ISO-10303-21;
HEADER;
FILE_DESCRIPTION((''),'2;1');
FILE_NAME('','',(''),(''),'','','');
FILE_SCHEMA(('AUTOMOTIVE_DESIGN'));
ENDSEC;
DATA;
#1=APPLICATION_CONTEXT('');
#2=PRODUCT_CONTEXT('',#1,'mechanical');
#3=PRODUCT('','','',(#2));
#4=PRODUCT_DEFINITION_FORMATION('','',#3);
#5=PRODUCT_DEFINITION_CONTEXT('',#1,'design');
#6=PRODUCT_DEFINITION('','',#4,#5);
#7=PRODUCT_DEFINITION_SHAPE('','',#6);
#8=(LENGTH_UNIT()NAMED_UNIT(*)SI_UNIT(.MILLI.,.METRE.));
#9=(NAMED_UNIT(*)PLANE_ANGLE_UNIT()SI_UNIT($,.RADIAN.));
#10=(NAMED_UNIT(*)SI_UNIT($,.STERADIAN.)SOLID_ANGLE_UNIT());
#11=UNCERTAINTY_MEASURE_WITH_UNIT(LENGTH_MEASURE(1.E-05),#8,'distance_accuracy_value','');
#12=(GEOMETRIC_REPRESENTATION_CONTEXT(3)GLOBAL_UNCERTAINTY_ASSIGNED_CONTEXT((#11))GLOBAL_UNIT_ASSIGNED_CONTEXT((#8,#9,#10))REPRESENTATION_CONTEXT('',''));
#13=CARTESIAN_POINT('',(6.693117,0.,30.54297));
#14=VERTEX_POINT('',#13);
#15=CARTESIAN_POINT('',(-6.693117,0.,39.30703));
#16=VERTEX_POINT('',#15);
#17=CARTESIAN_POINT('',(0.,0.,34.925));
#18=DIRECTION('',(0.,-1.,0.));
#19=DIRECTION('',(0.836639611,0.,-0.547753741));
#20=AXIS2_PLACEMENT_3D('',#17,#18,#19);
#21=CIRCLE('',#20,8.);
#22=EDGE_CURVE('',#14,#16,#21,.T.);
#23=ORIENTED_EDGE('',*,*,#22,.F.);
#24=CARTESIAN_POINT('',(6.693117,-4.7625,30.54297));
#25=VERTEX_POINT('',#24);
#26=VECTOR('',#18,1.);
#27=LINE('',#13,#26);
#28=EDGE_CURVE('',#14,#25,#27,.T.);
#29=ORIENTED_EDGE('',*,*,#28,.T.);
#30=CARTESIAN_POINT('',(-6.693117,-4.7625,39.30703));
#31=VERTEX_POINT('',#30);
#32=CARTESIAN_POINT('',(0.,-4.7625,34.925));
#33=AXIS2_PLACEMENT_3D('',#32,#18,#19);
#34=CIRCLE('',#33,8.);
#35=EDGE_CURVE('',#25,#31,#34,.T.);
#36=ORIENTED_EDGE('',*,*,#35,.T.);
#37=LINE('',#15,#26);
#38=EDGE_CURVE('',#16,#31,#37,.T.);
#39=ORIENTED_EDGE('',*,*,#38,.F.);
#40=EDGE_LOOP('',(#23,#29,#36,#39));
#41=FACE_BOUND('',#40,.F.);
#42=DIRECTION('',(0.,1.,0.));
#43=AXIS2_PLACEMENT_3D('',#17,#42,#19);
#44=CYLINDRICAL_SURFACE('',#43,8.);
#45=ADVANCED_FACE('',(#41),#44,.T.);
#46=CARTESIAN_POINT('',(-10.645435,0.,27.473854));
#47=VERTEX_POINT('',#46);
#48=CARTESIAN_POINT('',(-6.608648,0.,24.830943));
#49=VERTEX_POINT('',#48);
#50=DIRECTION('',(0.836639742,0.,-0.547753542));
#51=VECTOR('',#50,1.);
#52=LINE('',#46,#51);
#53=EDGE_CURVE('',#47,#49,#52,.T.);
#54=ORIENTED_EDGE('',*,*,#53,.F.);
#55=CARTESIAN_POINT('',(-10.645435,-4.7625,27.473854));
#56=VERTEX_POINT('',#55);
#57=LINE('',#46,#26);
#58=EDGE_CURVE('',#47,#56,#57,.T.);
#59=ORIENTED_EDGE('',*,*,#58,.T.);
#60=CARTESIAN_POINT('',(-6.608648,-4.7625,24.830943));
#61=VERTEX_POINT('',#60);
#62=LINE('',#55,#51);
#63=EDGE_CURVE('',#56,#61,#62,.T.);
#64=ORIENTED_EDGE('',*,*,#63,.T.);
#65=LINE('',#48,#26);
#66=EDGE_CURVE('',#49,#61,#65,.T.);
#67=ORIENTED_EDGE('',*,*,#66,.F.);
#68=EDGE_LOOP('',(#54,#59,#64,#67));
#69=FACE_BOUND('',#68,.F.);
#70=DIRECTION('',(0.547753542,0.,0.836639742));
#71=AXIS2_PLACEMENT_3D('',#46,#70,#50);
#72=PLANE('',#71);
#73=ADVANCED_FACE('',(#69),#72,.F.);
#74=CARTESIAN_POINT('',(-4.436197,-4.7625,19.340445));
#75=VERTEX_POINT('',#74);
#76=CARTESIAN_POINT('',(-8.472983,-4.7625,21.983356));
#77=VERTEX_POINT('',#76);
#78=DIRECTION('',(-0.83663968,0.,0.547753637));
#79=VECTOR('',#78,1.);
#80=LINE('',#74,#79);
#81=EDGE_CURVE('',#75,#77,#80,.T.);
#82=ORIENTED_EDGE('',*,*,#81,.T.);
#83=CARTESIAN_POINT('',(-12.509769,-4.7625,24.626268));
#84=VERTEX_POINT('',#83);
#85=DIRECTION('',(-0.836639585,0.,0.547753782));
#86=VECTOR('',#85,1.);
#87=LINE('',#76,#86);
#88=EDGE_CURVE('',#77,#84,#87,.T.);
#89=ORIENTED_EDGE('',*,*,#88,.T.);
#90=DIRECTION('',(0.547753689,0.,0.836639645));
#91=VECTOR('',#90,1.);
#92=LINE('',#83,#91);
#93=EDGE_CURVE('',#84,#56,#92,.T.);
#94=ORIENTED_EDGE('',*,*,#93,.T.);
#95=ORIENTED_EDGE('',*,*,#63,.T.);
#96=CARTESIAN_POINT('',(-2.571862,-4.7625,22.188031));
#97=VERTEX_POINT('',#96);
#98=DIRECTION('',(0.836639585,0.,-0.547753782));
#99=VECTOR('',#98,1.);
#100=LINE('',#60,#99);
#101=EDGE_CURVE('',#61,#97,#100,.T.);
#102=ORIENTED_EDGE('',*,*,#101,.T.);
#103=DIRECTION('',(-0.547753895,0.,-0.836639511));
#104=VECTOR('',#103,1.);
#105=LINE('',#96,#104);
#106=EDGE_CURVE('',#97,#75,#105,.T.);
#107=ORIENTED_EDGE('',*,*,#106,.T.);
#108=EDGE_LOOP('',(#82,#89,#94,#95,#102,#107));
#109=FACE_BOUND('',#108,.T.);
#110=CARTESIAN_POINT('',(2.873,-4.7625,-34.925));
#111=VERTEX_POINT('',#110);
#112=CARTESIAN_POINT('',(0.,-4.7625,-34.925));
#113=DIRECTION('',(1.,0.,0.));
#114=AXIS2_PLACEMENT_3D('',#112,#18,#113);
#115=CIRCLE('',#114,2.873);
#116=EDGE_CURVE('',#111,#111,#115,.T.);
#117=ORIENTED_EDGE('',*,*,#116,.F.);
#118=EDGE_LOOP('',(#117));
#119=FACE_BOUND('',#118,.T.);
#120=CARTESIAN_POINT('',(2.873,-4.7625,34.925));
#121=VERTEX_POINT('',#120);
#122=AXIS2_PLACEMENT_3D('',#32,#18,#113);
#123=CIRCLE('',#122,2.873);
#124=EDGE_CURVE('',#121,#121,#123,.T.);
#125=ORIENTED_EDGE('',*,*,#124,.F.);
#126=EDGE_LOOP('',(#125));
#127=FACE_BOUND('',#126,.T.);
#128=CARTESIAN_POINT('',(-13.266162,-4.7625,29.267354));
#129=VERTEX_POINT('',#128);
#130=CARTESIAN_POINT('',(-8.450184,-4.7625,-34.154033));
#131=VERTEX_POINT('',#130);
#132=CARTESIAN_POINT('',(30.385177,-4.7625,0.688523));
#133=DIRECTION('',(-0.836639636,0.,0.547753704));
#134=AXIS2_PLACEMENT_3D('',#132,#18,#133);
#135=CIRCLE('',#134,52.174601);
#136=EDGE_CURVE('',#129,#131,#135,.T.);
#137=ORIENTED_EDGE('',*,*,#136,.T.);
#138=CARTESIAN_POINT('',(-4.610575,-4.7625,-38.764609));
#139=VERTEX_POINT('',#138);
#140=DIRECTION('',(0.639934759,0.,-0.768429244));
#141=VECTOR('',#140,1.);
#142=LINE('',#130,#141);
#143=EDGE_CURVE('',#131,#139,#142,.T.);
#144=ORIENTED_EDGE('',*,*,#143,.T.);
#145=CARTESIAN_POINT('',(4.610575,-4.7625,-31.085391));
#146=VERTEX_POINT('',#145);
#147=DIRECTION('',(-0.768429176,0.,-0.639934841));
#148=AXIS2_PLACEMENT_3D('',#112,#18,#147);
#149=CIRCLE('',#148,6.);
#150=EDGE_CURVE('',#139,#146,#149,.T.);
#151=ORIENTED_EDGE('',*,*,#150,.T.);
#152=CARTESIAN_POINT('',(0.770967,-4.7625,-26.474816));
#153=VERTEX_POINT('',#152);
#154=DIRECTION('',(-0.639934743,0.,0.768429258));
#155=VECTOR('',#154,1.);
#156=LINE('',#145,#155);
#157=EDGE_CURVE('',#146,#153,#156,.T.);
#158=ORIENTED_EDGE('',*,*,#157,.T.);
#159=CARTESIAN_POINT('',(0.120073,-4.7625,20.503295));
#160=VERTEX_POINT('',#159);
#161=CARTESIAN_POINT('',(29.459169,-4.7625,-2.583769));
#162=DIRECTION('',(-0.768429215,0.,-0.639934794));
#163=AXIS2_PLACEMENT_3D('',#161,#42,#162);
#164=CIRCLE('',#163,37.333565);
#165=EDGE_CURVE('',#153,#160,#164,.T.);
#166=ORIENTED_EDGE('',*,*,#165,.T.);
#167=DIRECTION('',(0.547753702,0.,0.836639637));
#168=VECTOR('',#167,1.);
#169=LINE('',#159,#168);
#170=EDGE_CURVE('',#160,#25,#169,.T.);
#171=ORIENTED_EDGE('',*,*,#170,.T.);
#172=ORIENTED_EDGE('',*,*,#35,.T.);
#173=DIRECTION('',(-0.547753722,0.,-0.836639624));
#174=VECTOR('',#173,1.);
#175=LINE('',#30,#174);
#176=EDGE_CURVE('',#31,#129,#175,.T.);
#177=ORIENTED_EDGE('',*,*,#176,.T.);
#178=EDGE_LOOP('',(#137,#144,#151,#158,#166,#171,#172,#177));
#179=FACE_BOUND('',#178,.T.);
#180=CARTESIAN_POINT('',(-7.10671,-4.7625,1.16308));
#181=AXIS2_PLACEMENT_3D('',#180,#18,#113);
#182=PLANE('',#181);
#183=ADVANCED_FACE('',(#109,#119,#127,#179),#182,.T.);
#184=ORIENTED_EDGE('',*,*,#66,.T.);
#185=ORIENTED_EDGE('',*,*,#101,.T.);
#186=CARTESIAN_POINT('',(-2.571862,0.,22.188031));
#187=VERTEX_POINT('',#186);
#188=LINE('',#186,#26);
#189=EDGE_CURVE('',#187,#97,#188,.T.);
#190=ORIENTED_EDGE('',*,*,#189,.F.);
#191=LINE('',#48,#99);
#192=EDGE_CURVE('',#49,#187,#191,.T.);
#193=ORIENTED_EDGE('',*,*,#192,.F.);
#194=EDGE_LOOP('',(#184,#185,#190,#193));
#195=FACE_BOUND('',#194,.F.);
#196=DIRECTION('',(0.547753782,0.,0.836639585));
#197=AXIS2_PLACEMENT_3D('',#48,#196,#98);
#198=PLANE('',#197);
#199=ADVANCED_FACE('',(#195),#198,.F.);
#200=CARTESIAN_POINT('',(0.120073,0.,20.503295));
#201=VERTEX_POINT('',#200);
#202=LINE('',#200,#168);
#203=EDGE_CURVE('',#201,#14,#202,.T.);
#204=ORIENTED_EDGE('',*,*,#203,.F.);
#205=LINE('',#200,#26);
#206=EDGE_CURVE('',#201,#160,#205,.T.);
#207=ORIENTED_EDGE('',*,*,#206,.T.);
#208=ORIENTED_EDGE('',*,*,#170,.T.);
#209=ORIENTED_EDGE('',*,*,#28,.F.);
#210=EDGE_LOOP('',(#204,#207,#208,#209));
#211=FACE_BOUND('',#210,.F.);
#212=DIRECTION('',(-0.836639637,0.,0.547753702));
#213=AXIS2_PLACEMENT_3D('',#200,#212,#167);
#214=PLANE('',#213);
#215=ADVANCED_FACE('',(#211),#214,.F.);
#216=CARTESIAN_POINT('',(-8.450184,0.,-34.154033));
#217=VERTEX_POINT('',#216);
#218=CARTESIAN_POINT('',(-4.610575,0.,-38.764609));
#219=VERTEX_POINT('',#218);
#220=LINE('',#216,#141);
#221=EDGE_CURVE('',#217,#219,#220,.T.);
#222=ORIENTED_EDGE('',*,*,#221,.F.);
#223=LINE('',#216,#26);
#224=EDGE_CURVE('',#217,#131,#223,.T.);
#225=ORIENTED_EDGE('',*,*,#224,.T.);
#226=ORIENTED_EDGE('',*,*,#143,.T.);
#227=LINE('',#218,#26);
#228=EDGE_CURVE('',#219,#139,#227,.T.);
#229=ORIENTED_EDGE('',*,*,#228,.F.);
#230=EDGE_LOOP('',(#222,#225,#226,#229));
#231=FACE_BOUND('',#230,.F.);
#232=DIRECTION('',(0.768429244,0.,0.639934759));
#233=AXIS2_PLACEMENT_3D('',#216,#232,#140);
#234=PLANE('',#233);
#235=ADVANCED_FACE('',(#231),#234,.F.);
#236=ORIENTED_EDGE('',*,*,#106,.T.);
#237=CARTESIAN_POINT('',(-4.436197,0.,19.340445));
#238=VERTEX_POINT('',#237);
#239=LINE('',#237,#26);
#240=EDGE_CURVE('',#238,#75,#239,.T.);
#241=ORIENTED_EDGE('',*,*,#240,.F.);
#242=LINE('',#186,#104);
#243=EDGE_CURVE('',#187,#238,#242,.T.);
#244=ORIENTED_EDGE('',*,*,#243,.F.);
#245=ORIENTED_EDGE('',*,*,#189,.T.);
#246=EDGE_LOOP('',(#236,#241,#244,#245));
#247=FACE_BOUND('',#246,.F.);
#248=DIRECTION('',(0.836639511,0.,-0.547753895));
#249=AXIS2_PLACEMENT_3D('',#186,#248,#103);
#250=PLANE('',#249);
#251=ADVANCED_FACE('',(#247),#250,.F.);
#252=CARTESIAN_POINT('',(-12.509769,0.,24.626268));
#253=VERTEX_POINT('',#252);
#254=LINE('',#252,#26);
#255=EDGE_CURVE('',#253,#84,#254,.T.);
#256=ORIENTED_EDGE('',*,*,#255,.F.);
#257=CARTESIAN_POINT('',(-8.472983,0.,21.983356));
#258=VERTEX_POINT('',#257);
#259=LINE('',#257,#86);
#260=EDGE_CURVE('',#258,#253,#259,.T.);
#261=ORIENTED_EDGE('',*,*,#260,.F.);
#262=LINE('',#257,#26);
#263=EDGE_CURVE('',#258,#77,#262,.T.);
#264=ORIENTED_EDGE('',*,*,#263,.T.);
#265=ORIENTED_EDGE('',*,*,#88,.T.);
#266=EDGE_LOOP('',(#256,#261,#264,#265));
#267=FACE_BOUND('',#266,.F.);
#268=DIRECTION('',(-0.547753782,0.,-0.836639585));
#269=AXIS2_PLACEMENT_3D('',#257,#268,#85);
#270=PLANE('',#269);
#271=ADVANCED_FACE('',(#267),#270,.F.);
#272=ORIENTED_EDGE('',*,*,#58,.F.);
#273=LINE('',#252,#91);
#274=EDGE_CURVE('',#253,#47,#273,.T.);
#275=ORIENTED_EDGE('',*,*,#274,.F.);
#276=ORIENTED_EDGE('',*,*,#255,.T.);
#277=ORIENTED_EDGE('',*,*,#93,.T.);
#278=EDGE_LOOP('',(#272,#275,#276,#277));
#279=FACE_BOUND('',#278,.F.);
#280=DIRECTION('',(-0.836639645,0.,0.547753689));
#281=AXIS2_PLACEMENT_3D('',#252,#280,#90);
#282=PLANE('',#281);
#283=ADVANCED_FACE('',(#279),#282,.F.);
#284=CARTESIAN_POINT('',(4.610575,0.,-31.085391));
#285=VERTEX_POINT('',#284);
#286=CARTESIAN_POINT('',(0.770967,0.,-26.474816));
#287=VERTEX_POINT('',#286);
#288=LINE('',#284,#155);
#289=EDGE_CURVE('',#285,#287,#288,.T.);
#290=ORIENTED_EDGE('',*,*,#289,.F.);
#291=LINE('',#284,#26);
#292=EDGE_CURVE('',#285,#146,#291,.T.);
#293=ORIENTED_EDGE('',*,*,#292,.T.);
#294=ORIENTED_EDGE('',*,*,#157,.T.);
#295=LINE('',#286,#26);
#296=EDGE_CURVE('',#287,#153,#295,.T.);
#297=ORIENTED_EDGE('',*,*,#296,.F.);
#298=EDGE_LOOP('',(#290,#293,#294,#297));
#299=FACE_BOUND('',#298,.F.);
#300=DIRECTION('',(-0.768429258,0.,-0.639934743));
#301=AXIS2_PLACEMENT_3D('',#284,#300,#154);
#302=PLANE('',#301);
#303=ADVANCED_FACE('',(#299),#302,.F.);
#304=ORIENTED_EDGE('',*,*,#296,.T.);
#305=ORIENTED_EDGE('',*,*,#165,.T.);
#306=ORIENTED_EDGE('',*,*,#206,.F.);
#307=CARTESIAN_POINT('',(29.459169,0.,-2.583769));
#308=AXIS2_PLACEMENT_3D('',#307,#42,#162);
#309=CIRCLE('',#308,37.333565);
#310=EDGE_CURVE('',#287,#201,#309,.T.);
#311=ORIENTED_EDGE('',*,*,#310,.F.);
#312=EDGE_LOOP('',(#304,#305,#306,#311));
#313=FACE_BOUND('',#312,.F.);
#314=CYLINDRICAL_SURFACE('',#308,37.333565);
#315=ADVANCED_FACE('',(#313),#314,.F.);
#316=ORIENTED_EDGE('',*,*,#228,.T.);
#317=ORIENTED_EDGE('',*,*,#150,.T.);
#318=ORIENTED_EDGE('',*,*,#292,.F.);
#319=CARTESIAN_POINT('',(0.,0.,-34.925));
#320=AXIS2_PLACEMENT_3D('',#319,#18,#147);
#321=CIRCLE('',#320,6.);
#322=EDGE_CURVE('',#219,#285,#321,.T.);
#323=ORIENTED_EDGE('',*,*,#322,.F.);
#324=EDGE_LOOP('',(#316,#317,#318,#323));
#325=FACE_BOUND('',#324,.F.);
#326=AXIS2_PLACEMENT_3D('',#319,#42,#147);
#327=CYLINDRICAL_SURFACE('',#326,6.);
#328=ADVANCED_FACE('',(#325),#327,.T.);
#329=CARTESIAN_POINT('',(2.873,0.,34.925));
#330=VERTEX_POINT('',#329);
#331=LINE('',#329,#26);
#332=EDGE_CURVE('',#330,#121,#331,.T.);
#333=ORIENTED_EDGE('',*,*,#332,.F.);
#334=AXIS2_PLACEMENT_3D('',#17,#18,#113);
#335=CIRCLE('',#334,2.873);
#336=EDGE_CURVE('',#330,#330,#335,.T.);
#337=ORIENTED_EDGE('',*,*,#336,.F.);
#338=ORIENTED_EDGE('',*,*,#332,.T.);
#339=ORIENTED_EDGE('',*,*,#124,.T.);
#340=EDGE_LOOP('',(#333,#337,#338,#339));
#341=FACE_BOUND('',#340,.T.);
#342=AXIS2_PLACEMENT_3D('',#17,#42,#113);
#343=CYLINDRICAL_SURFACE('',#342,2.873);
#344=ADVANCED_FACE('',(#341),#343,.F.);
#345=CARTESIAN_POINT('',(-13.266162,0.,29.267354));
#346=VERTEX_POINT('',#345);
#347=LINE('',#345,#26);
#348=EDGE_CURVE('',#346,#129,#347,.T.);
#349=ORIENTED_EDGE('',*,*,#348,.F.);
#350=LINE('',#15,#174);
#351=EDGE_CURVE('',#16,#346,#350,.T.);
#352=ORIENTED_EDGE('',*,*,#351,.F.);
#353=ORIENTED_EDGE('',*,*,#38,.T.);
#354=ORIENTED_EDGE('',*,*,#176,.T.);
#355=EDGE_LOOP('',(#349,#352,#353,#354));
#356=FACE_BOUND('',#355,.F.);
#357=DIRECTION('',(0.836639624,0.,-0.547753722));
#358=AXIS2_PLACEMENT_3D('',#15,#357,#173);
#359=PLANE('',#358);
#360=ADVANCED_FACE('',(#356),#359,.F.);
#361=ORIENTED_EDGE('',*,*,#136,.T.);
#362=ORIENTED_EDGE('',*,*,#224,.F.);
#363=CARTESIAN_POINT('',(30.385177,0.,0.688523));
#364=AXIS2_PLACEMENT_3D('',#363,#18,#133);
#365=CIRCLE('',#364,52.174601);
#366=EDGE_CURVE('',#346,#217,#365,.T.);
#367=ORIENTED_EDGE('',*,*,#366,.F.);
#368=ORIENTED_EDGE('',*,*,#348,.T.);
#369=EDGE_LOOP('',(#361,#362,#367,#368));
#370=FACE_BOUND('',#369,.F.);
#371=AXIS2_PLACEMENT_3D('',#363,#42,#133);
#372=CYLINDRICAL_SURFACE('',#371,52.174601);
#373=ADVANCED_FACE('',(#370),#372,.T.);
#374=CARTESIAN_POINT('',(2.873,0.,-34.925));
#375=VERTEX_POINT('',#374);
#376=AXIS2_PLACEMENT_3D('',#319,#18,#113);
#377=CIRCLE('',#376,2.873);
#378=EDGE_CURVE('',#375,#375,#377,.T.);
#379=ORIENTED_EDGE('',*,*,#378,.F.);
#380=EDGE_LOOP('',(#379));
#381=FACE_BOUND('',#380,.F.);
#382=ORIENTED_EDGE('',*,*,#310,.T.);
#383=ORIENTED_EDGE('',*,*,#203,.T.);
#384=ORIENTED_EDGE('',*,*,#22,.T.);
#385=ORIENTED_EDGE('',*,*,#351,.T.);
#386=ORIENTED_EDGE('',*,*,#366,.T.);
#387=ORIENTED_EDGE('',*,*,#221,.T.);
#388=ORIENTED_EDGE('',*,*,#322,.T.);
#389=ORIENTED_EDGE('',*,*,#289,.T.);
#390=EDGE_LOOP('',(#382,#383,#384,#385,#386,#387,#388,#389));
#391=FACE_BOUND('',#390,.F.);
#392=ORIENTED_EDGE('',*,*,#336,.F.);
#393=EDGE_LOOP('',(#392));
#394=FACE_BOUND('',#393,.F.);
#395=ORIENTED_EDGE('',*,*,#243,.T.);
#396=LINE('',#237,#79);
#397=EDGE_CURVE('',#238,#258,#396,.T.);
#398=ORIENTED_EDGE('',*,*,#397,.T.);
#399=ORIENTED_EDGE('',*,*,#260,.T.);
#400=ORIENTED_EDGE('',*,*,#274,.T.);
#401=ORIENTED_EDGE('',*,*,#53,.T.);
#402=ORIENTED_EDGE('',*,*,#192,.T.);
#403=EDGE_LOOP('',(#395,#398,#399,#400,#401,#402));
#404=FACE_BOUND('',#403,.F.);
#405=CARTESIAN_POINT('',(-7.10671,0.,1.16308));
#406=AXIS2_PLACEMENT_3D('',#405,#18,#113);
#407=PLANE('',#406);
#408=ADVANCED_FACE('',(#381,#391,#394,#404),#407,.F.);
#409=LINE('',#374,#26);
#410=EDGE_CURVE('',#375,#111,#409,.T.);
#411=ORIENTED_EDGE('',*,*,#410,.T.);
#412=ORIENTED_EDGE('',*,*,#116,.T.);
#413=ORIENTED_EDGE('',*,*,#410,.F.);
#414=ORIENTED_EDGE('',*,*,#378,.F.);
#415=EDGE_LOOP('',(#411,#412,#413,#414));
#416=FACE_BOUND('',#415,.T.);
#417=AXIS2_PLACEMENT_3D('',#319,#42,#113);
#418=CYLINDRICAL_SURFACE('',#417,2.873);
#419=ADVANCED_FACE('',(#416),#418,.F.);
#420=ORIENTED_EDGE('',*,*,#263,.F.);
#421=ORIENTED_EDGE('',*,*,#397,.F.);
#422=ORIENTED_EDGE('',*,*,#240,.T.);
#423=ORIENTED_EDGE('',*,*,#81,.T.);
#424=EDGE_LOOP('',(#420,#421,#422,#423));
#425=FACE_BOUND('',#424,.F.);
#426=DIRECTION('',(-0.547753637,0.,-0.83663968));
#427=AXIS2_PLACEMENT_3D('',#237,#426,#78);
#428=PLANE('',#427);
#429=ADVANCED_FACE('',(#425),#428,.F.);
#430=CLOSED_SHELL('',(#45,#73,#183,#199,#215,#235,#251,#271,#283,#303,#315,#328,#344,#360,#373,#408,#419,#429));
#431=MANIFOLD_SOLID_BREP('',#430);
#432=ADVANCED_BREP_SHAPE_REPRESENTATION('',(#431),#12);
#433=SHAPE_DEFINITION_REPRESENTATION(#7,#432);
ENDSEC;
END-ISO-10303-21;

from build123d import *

# Parameters (mm, degrees)
F0_R     = 2.873
F1_DEPTH = 4.7625


with BuildPart() as f1:
    # F0 (on Front) → F1 (new body)
    with BuildSketch(Plane.XZ):
        with BuildLine():
            Line((-8.450184, -34.154033), (-4.610575, -38.764609))
            ThreePointArc((-4.610575, -38.764609), (3.839609, -39.535575), (4.610575, -31.085391))
            Line((4.610575, -31.085391), (0.770967, -26.474816))
            ThreePointArc((0.770967, -26.474816), (-7.870813, -3.100986), (0.120073, 20.503295))
            Line((0.120073, 20.503295), (6.693117, 30.54297))
            ThreePointArc((6.693117, 30.54297), (4.38203, 41.618117), (-6.693117, 39.30703))
            Line((-6.693117, 39.30703), (-13.266162, 29.267354))
            ThreePointArc((-13.266162, 29.267354), (-21.639644, -3.262043), (-8.450184, -34.154033))
        make_face()
        with Locations((0, -34.925)):
            Circle(F0_R, mode=Mode.SUBTRACT)
        Polygon((-12.509769, 24.626268), (-10.645435, 27.473854), (-6.608648, 24.830943), (-2.571862, 22.188031), (-4.436197, 19.340445), (-8.472983, 21.983356), align=None, mode=Mode.SUBTRACT)
        with Locations((0, 34.925)):
            Circle(F0_R, mode=Mode.SUBTRACT)
    extrude(amount=F1_DEPTH)


solid = f1.part
